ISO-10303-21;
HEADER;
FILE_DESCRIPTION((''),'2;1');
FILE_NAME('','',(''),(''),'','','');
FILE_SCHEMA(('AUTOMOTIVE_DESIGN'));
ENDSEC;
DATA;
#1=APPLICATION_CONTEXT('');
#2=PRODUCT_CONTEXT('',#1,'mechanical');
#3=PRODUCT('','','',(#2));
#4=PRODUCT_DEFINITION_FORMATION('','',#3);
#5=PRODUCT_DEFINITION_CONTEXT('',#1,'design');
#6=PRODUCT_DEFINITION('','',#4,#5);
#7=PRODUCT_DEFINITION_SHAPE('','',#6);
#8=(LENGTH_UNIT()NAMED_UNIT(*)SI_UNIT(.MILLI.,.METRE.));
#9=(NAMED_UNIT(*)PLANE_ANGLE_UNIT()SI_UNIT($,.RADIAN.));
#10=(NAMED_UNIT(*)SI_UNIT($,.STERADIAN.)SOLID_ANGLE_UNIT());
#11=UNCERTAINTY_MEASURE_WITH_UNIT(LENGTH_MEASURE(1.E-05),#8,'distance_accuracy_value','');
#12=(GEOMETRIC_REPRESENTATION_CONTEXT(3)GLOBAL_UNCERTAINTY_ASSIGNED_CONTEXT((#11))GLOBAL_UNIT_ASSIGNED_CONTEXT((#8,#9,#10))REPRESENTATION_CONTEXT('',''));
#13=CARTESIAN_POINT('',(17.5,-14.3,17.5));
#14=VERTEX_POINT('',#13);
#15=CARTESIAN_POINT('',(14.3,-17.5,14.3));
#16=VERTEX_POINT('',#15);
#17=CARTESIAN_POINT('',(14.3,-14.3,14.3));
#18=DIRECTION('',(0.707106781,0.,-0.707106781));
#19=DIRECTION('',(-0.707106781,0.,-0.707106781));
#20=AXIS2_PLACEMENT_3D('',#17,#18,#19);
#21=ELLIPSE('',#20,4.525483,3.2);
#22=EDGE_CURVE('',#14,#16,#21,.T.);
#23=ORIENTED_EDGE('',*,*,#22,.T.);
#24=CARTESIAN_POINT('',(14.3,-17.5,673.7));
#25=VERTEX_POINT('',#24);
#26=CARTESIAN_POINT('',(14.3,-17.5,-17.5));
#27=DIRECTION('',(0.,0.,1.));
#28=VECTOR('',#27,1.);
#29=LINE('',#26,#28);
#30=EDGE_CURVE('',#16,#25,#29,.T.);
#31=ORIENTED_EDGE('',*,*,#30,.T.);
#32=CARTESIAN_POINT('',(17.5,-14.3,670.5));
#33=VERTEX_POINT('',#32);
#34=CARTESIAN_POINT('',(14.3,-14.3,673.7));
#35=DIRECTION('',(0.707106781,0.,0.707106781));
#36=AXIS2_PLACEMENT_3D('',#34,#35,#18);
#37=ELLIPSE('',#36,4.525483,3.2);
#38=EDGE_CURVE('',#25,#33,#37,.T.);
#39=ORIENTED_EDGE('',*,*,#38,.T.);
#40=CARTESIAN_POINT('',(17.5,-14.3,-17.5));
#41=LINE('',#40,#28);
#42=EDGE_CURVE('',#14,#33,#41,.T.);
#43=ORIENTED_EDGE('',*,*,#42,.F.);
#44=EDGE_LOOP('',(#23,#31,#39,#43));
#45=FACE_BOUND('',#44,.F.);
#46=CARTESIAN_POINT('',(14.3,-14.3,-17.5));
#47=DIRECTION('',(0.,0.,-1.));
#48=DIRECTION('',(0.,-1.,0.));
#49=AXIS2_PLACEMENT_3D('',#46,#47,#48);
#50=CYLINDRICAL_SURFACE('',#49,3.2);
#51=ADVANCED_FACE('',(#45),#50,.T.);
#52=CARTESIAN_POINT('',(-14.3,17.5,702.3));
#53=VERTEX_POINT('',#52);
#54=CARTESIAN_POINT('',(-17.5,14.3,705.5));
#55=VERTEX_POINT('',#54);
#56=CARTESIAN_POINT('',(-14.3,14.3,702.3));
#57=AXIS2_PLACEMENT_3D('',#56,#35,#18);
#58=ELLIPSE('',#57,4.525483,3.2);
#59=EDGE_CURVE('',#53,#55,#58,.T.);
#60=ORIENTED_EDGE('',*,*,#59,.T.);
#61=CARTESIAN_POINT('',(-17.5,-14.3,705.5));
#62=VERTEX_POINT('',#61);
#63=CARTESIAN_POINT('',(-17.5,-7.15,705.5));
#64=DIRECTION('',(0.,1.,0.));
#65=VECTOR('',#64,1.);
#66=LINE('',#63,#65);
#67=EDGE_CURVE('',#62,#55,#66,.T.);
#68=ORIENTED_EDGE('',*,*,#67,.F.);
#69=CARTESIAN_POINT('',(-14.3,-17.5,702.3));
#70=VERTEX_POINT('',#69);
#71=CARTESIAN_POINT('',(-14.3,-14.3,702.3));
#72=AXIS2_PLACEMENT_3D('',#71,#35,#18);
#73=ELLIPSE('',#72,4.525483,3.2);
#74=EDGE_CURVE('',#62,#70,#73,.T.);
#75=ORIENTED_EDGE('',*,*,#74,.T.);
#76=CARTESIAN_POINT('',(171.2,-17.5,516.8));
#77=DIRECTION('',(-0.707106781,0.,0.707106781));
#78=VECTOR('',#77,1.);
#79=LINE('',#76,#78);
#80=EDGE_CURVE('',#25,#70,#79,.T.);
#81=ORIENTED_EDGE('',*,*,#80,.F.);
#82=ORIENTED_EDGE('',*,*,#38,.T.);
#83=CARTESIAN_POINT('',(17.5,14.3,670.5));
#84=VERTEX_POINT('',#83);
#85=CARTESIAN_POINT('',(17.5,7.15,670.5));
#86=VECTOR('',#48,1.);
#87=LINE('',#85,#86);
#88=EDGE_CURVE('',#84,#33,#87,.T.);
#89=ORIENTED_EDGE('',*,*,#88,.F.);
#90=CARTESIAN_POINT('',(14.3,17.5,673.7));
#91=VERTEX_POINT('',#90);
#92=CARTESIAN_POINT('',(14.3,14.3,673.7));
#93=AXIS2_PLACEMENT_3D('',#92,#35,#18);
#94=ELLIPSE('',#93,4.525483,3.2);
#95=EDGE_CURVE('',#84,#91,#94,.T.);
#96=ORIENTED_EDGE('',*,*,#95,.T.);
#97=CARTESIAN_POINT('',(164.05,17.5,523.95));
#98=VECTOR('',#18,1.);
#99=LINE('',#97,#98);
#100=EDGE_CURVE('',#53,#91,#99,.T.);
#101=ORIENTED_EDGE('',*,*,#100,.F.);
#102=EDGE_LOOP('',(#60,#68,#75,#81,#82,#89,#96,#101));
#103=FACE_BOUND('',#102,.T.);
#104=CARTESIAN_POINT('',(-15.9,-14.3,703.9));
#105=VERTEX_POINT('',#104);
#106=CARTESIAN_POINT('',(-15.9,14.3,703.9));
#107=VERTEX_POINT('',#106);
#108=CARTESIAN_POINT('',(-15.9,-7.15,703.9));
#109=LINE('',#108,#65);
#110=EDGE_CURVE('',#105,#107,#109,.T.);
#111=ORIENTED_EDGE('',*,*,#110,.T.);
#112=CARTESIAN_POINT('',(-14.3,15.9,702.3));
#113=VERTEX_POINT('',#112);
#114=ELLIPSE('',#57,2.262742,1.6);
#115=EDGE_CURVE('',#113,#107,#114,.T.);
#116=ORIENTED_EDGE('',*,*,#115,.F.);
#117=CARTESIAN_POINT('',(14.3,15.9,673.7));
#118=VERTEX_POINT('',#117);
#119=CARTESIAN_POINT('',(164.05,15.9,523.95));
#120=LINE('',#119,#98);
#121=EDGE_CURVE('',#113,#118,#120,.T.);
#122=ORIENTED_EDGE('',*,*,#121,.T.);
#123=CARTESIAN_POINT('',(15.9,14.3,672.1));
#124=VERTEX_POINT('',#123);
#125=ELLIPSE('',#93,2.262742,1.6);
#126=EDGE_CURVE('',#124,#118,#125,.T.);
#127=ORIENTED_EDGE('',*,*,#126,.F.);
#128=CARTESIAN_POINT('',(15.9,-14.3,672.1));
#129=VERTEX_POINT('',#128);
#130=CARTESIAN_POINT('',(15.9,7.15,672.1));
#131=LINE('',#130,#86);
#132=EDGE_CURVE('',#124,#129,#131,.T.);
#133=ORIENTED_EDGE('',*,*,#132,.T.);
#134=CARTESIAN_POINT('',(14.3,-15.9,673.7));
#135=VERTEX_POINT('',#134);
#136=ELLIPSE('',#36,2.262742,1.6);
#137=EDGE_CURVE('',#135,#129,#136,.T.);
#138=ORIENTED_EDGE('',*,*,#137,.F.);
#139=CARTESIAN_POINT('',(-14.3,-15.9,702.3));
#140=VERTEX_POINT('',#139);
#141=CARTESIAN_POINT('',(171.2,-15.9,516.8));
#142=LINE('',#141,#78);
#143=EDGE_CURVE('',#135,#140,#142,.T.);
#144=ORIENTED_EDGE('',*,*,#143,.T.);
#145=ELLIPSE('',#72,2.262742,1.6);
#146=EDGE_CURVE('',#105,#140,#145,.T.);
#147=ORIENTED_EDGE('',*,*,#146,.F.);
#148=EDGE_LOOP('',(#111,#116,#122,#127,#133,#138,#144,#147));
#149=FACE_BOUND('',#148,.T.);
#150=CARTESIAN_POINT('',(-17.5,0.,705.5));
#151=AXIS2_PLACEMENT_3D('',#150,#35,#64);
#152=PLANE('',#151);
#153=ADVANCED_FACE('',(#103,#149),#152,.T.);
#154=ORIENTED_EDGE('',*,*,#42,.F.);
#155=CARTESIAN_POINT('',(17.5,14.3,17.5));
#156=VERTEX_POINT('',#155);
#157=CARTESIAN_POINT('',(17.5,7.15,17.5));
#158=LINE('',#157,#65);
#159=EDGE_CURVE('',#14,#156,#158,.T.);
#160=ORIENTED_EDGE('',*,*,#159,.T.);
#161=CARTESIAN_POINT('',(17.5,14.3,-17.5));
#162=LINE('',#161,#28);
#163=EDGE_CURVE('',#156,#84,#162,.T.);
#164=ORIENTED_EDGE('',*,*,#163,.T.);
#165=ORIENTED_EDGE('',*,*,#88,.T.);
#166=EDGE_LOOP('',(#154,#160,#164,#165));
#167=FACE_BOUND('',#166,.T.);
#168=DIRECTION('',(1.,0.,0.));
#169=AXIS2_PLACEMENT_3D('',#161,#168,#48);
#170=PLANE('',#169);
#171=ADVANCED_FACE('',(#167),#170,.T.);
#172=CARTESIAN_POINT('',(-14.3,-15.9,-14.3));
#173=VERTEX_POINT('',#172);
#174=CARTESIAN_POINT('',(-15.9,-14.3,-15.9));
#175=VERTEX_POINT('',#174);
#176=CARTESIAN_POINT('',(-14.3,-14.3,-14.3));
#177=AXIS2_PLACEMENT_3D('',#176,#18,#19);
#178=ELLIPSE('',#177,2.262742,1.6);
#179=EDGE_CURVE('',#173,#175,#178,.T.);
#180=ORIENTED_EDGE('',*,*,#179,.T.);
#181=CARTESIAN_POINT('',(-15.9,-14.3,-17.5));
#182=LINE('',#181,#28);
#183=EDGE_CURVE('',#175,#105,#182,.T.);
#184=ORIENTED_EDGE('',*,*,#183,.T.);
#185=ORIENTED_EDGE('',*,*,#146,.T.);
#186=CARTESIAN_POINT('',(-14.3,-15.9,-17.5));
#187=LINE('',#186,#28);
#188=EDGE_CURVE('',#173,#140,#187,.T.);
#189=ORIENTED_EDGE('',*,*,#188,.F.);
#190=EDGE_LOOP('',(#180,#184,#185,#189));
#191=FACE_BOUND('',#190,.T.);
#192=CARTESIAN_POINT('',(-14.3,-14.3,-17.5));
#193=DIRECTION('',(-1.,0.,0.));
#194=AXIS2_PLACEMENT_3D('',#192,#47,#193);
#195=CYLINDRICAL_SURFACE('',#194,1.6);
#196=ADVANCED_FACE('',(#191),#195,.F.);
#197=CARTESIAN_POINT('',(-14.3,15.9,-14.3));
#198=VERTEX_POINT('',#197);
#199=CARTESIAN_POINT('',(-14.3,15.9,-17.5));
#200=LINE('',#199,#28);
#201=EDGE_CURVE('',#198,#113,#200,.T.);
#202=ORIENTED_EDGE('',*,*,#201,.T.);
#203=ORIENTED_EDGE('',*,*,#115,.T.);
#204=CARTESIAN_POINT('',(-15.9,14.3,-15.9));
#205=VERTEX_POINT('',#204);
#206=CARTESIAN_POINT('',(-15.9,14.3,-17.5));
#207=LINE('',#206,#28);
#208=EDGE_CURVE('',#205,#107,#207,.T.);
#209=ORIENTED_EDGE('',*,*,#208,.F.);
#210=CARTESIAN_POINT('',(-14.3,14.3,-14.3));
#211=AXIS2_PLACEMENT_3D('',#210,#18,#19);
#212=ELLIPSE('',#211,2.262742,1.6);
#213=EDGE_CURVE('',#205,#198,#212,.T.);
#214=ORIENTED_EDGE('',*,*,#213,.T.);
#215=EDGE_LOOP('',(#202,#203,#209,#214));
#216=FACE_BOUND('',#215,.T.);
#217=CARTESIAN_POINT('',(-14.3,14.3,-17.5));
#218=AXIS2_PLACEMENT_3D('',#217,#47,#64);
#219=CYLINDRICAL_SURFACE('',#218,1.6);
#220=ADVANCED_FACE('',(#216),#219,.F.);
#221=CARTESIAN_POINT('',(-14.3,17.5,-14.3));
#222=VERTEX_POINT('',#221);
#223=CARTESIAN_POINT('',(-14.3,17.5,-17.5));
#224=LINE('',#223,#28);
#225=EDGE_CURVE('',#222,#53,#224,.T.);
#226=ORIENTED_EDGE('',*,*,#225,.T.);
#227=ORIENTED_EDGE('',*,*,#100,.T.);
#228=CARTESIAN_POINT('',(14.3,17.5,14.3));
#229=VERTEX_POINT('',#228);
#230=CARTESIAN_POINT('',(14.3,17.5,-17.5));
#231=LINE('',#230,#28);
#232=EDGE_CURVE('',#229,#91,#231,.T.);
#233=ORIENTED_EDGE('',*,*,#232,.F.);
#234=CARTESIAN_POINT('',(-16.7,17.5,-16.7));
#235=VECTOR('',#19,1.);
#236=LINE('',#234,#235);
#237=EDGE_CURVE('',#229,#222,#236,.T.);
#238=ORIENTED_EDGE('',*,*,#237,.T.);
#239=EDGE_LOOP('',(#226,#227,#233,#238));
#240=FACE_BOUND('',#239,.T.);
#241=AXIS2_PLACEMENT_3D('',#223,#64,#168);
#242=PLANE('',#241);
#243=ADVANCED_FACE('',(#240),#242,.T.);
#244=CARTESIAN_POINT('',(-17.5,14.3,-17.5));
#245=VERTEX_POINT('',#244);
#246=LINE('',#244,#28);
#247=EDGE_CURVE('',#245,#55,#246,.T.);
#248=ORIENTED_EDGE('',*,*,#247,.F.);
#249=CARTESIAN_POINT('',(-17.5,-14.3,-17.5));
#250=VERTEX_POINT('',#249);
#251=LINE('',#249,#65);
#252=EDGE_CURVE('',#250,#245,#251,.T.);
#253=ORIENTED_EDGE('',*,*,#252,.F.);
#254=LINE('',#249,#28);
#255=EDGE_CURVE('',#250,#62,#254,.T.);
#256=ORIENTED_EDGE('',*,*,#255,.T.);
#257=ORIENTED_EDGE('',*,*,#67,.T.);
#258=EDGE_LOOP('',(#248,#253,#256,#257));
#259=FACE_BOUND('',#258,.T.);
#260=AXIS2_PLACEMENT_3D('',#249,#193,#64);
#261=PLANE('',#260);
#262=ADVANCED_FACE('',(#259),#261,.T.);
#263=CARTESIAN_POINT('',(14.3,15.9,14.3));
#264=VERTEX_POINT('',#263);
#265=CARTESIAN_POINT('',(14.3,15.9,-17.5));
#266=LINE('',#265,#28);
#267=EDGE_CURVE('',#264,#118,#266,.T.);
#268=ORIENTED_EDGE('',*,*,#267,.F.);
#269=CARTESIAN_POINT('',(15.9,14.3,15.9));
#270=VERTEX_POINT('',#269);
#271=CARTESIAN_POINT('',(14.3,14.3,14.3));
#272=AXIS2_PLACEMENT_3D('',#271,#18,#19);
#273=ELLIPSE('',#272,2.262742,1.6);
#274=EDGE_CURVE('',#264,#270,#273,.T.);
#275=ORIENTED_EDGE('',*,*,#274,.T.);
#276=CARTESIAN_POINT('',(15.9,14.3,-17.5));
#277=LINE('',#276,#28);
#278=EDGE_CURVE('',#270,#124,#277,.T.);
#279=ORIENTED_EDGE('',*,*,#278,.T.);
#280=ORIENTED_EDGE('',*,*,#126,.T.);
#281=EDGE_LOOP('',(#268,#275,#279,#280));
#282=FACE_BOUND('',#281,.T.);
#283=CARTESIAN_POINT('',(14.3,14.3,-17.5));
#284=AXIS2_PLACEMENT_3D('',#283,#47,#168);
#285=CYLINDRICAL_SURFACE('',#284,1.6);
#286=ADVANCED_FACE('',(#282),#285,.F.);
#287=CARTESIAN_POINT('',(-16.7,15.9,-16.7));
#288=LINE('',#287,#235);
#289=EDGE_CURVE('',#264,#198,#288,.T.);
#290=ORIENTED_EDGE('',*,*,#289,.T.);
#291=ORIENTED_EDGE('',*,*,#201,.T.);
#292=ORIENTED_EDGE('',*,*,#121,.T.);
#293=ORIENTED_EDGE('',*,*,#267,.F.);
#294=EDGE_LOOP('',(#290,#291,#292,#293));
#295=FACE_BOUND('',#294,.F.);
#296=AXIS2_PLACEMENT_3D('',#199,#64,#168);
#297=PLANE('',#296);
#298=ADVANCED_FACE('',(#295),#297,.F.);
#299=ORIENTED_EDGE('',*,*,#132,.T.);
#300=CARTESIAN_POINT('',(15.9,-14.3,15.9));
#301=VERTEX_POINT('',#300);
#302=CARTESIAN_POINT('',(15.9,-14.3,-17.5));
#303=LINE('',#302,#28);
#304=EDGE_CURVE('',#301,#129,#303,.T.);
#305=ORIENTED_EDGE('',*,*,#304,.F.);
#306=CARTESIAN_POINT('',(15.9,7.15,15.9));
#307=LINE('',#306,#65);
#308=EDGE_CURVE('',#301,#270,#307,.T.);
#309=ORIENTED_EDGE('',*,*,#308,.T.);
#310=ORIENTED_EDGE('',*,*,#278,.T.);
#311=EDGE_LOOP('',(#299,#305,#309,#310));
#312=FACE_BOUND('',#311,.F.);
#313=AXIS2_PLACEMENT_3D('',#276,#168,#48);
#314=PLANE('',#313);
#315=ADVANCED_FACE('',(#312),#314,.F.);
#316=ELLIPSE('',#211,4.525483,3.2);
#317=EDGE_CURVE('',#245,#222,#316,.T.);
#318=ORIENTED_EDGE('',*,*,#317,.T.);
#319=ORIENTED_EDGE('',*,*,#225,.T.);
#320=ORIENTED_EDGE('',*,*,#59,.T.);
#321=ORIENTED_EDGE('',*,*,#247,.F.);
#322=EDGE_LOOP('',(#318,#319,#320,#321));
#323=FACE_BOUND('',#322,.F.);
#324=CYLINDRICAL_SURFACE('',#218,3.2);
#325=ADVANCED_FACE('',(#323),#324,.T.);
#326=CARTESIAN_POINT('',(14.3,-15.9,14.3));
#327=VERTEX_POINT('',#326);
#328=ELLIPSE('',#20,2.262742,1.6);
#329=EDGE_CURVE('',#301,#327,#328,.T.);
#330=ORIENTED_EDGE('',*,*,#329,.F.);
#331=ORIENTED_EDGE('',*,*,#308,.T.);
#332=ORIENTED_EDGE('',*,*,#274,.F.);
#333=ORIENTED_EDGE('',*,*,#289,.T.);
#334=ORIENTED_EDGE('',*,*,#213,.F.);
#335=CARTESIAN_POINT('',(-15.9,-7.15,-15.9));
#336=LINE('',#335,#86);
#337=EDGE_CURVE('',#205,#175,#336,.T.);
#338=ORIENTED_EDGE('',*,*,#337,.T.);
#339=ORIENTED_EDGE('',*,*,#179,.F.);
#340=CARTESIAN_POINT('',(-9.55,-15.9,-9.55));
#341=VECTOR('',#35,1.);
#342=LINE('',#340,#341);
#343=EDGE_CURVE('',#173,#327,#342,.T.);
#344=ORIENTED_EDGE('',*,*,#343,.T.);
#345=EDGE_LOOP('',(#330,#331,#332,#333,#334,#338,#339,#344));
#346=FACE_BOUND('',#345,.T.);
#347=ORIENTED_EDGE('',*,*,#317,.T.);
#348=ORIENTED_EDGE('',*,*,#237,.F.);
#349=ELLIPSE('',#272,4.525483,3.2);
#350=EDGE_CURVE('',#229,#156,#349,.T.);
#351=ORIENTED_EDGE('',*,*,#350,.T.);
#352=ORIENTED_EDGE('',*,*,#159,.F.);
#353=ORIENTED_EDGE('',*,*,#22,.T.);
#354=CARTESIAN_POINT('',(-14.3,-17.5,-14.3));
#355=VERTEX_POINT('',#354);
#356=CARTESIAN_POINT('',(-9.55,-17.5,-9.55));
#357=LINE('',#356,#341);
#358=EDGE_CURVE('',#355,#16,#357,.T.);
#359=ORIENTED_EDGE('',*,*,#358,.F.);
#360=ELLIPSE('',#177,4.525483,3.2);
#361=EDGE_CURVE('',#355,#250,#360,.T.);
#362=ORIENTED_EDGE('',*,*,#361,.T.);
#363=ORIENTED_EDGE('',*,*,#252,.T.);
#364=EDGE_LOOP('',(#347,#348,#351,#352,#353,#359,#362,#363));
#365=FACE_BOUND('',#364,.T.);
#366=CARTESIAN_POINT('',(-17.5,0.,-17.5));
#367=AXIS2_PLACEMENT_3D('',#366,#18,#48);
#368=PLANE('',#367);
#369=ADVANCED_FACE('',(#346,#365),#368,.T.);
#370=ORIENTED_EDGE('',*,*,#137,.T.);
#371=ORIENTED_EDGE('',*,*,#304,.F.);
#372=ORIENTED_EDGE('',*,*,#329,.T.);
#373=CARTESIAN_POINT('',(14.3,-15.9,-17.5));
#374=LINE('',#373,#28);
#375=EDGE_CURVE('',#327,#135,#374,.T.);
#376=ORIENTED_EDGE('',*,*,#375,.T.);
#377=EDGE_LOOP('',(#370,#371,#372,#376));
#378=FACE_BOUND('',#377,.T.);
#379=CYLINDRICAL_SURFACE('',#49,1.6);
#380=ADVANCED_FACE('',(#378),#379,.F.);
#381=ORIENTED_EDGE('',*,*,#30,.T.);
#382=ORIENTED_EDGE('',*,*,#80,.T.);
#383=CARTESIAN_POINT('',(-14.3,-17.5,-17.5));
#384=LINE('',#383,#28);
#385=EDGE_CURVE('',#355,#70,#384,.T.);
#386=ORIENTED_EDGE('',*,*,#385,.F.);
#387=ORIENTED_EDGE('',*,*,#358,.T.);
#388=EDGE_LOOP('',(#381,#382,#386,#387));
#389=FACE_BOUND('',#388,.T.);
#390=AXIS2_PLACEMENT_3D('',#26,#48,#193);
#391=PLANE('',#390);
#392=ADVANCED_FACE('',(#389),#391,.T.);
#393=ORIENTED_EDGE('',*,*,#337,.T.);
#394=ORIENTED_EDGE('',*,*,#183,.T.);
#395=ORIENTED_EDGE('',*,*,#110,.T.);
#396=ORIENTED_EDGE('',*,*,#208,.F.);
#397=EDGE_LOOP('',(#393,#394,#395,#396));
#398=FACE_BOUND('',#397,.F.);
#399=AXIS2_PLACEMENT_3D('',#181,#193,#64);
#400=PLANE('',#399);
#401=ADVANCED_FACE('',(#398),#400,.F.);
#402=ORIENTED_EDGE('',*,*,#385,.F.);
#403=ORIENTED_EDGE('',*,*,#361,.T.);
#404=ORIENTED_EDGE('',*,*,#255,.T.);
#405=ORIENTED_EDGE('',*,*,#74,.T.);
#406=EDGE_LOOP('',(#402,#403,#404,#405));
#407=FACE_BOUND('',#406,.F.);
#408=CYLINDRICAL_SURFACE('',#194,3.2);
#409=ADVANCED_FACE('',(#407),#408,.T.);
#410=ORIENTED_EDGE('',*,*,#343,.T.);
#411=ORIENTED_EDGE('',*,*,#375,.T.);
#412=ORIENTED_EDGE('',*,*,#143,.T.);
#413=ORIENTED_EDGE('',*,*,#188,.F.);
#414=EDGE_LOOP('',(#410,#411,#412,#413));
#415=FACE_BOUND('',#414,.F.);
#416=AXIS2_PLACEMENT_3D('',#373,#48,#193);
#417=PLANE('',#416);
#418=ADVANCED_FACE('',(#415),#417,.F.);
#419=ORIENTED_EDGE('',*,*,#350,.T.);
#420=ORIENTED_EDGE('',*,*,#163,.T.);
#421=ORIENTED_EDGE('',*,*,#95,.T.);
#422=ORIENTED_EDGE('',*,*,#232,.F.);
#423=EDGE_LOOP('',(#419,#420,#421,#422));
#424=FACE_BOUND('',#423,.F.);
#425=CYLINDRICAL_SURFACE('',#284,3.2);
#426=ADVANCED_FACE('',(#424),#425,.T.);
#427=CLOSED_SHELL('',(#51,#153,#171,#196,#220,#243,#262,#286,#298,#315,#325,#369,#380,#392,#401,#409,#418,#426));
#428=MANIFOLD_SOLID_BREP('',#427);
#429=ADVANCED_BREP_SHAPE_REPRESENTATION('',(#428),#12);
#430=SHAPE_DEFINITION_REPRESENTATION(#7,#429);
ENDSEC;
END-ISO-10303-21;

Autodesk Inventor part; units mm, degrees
ref_plane "Start plane" through (0, 0, -17.5) normal (0, 0, 1) x (1, 0, 0)
ref_plane "End plane" through (0, 0, 754.6563) normal (0, 0, 1) x (1, 0, 0)
sketch "Sketch" plane through (0, 0, 0) normal (0, 0, 1) x (1, 0, 0)
  line L0 (-17.5, -14.3) -> (-17.5, 14.3)
  line L1 (-14.3, 17.5) -> (14.3, 17.5)
  line L2 (17.5, 14.3) -> (17.5, -14.3)
  line L3 (14.3, -17.5) -> (-14.3, -17.5)
  arc A0 (-17.5, -14.3) -> (-14.3, -17.5) centre (-14.3, -14.3) ccw
  arc A1 (-14.3, 17.5) -> (-17.5, 14.3) centre (-14.3, 14.3) ccw
  arc A2 (17.5, 14.3) -> (14.3, 17.5) centre (14.3, 14.3) ccw
  arc A3 (14.3, -17.5) -> (17.5, -14.3) centre (14.3, -14.3) ccw
  arc A4 (-14.3, 15.9) -> (-15.9, 14.3) centre (-14.3, 14.3) ccw
  line L4 (-14.3, 15.9) -> (14.3, 15.9)
  arc A5 (15.9, 14.3) -> (14.3, 15.9) centre (14.3, 14.3) ccw
  line L5 (15.9, 14.3) -> (15.9, -14.3)
  arc A6 (14.3, -15.9) -> (15.9, -14.3) centre (14.3, -14.3) ccw
  line L6 (14.3, -15.9) -> (-14.3, -15.9)
  arc A7 (-15.9, -14.3) -> (-14.3, -15.9) centre (-14.3, -14.3) ccw
  line L7 (-15.9, -14.3) -> (-15.9, 14.3)
  line L8 (0, 25.4278) -> (0, -25.4278) construction
  line L9 (-25.4278, 0) -> (25.4278, 0) construction
  dimension "d7" = 3.2
  dimension "d10" = 35
  dimension "d11" = 35
  dimension "d12" = 1.6
  dimension "d15" = 17.5
  dimension "d16" = 17.5
extrude "Body" add sketch "Sketch" along normal up to surface (772.1563 mm away) from surface at -17.5
sketch "Sketch3" plane through (0, 0, 0) normal (0, 0, 1) x (1, 0, 0)
  line L0 (0, 0) -> (10, 0)
ref_plane "Work Plane3" through (0, 0, 0) normal (0, -1, 0) x (1, 0, 0)
sketch "Sketch4" plane through (0, 0, 0) normal (0, -1, 0) x (1, 0, 0)
  line L0 (-2, -17.5) -> (12, -17.5)
  line L1 (-2, 754.6563) -> (12, 754.6563)
  dimension "d18" = 772.1563
ref_plane "Work Plane20" through (403.2431, 0, 679.4036) normal (0.871, 0, -0.4912) x (-0.4912, 0, -0.871)
split "Split5" plane through (403.2431, 0, 679.4036) removes the side toward (0.871, 0, -0.4912)
ref_plane "Work Plane21" through (400.9862, 0, 12.5983) normal (0.871, 0, 0.4912) x (0.4912, 0, -0.871)
split "Split6" plane through (400.9862, 0, 12.5983) removes the side toward (0.871, 0, 0.4912)
ref_plane "Work Plane22" through (-17.5, 0, -17.5) normal (0.7071, 0, -0.7071) x (-0.7071, 0, -0.7071)
split "Split7" plane through (-17.5, 0, -17.5) removes the side toward (0.7071, 0, -0.7071)
ref_plane "Work Plane23" through (-17.5, 0, 705.5) normal (0.7071, 0, 0.7071) x (0.7071, 0, -0.7071)
split "Split8" plane through (-17.5, 0, 705.5) removes the side toward (0.7071, 0, 0.7071)
equation "\"d7\" = G_IR"
equation "\"d10\" = G_H"
equation "\"d11\" = G_W"
equation "\"d12\" = G_T"
equation "\"d15\" = 0.5 * d10"
equation "\"d16\" = 0.5 * d11"
equation "\"d3\" = G_L"
equation "\"G_W\" = 35"
equation "\"G_H\" = 35"
equation "\"G_T\" = 1.6"
equation "\"G_IR\" = 3.2"
equation "\"G_L\" = d18"
equation "\"G_OFFSET_START\" = 17.5"
equation "\"G_OFFSET_END\" = 66.65632"
equation "\"d13\" = -G_OFFSET_START"
equation "\"d14\" = G_OFFSET_END + B_L"
equation "\"B_L\" = 688"
properties part number "AS 1163 - C350L0 35x35x1.6 SHS - 772.156" material "Steel, Mild"
